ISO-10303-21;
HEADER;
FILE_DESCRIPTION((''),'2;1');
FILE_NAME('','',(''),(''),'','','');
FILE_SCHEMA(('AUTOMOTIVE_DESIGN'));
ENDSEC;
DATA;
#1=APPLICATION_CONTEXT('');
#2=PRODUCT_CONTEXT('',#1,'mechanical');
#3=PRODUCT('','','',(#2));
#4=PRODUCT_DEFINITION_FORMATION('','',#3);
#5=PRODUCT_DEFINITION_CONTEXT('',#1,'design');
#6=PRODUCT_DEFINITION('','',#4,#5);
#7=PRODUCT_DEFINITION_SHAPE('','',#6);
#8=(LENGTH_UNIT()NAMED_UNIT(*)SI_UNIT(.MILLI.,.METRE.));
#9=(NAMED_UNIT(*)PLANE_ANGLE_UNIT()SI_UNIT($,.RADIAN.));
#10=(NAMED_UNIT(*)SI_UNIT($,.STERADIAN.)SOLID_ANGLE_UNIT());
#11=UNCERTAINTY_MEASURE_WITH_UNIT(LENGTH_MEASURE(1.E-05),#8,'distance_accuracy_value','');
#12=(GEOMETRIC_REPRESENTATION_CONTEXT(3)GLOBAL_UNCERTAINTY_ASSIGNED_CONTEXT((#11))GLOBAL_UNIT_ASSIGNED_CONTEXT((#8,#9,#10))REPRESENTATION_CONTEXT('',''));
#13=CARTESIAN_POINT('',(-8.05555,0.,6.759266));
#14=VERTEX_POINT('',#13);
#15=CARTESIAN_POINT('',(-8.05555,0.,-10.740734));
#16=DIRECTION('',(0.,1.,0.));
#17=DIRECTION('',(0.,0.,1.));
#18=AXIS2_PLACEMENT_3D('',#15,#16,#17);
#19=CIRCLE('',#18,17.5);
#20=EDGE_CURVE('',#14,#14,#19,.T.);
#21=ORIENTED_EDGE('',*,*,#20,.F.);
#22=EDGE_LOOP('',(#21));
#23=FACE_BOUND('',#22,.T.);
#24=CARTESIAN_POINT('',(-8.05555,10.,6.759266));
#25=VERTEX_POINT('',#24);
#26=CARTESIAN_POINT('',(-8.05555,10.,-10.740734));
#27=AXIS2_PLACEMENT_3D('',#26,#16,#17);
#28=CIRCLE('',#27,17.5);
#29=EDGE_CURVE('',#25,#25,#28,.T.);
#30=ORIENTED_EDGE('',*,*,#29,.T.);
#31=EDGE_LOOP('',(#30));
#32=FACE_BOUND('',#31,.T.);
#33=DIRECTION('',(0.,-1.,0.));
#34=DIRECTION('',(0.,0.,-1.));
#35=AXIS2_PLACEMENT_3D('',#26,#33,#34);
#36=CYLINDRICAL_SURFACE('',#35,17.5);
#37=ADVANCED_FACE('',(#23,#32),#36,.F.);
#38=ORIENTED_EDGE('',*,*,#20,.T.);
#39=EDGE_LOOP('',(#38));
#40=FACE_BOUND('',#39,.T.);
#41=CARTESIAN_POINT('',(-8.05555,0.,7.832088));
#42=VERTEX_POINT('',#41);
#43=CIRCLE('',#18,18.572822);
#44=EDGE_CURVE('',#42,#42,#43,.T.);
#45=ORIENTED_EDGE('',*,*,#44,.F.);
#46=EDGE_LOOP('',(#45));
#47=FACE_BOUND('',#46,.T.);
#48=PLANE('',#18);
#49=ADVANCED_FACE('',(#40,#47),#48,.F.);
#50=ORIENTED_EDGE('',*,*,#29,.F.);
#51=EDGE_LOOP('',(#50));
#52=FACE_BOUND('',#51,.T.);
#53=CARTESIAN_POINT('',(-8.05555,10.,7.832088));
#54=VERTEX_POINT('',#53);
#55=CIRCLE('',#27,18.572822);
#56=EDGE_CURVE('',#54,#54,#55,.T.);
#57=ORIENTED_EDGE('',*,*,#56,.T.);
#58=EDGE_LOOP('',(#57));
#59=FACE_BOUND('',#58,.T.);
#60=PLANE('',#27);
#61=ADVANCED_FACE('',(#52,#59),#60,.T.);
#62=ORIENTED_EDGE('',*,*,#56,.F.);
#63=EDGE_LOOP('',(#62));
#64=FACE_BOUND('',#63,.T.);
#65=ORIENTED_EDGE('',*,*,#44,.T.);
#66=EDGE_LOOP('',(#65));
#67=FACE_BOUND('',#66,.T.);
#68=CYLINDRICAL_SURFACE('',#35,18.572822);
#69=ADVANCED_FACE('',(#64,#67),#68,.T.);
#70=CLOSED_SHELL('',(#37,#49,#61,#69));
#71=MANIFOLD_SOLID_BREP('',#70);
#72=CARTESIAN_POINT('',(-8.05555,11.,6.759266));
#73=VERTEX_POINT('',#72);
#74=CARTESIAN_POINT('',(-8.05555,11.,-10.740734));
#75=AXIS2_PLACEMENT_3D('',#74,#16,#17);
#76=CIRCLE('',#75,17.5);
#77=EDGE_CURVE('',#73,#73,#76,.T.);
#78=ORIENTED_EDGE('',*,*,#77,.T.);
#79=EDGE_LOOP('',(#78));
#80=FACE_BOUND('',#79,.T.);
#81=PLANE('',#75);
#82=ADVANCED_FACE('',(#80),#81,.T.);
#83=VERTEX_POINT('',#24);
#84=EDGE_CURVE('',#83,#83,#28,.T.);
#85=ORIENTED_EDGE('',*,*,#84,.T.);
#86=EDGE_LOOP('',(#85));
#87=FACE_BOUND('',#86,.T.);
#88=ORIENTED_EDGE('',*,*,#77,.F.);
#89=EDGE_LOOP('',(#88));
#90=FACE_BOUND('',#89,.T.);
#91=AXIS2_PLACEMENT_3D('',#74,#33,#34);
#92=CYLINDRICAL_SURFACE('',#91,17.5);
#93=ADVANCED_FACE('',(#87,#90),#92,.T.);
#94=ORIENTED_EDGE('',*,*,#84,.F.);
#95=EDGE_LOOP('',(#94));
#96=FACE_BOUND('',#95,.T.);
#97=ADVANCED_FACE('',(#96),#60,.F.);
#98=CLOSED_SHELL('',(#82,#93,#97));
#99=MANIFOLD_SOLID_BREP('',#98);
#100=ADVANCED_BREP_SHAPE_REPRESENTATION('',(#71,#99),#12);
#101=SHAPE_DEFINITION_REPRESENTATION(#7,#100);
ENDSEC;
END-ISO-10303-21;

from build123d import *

# Parameters (mm, degrees)
SKETCH1_R           = 18.572821533
SKETCH1_R_2         = 17.5
BOSS_EXTRUDE1_DEPTH = 10
SKETCH2_R           = 17.5
BOSS_EXTRUDE2_DEPTH = 1


with BuildPart() as part:
    # Sketch1 → Boss-Extrude1 (new body)
    with BuildSketch(Plane(origin=(0, 0, 0), x_dir=(1, 0, 0), z_dir=(0, 1, 0))):
        with Locations(Location((-8.055550378, 10.740733837, 0), (0, 0, 270))):
            Circle(SKETCH1_R)
        with Locations(Location((-8.055550378, 10.740733837, 0), (0, 0, 270))):
            Circle(SKETCH1_R_2, mode=Mode.SUBTRACT)
    extrude(amount=BOSS_EXTRUDE1_DEPTH)


with BuildPart() as body_2:
    # Sketch2 → Boss-Extrude2 (new body)
    with BuildSketch(Plane(origin=(0, 10, 0), x_dir=(1, 0, 0), z_dir=(0, 1, 0))):
        with Locations(Location((-8.055550378, 10.740733837, 0), (0, 0, 270))):
            Circle(SKETCH2_R)
    extrude(amount=BOSS_EXTRUDE2_DEPTH)


solid = Compound([part.part, body_2.part])
